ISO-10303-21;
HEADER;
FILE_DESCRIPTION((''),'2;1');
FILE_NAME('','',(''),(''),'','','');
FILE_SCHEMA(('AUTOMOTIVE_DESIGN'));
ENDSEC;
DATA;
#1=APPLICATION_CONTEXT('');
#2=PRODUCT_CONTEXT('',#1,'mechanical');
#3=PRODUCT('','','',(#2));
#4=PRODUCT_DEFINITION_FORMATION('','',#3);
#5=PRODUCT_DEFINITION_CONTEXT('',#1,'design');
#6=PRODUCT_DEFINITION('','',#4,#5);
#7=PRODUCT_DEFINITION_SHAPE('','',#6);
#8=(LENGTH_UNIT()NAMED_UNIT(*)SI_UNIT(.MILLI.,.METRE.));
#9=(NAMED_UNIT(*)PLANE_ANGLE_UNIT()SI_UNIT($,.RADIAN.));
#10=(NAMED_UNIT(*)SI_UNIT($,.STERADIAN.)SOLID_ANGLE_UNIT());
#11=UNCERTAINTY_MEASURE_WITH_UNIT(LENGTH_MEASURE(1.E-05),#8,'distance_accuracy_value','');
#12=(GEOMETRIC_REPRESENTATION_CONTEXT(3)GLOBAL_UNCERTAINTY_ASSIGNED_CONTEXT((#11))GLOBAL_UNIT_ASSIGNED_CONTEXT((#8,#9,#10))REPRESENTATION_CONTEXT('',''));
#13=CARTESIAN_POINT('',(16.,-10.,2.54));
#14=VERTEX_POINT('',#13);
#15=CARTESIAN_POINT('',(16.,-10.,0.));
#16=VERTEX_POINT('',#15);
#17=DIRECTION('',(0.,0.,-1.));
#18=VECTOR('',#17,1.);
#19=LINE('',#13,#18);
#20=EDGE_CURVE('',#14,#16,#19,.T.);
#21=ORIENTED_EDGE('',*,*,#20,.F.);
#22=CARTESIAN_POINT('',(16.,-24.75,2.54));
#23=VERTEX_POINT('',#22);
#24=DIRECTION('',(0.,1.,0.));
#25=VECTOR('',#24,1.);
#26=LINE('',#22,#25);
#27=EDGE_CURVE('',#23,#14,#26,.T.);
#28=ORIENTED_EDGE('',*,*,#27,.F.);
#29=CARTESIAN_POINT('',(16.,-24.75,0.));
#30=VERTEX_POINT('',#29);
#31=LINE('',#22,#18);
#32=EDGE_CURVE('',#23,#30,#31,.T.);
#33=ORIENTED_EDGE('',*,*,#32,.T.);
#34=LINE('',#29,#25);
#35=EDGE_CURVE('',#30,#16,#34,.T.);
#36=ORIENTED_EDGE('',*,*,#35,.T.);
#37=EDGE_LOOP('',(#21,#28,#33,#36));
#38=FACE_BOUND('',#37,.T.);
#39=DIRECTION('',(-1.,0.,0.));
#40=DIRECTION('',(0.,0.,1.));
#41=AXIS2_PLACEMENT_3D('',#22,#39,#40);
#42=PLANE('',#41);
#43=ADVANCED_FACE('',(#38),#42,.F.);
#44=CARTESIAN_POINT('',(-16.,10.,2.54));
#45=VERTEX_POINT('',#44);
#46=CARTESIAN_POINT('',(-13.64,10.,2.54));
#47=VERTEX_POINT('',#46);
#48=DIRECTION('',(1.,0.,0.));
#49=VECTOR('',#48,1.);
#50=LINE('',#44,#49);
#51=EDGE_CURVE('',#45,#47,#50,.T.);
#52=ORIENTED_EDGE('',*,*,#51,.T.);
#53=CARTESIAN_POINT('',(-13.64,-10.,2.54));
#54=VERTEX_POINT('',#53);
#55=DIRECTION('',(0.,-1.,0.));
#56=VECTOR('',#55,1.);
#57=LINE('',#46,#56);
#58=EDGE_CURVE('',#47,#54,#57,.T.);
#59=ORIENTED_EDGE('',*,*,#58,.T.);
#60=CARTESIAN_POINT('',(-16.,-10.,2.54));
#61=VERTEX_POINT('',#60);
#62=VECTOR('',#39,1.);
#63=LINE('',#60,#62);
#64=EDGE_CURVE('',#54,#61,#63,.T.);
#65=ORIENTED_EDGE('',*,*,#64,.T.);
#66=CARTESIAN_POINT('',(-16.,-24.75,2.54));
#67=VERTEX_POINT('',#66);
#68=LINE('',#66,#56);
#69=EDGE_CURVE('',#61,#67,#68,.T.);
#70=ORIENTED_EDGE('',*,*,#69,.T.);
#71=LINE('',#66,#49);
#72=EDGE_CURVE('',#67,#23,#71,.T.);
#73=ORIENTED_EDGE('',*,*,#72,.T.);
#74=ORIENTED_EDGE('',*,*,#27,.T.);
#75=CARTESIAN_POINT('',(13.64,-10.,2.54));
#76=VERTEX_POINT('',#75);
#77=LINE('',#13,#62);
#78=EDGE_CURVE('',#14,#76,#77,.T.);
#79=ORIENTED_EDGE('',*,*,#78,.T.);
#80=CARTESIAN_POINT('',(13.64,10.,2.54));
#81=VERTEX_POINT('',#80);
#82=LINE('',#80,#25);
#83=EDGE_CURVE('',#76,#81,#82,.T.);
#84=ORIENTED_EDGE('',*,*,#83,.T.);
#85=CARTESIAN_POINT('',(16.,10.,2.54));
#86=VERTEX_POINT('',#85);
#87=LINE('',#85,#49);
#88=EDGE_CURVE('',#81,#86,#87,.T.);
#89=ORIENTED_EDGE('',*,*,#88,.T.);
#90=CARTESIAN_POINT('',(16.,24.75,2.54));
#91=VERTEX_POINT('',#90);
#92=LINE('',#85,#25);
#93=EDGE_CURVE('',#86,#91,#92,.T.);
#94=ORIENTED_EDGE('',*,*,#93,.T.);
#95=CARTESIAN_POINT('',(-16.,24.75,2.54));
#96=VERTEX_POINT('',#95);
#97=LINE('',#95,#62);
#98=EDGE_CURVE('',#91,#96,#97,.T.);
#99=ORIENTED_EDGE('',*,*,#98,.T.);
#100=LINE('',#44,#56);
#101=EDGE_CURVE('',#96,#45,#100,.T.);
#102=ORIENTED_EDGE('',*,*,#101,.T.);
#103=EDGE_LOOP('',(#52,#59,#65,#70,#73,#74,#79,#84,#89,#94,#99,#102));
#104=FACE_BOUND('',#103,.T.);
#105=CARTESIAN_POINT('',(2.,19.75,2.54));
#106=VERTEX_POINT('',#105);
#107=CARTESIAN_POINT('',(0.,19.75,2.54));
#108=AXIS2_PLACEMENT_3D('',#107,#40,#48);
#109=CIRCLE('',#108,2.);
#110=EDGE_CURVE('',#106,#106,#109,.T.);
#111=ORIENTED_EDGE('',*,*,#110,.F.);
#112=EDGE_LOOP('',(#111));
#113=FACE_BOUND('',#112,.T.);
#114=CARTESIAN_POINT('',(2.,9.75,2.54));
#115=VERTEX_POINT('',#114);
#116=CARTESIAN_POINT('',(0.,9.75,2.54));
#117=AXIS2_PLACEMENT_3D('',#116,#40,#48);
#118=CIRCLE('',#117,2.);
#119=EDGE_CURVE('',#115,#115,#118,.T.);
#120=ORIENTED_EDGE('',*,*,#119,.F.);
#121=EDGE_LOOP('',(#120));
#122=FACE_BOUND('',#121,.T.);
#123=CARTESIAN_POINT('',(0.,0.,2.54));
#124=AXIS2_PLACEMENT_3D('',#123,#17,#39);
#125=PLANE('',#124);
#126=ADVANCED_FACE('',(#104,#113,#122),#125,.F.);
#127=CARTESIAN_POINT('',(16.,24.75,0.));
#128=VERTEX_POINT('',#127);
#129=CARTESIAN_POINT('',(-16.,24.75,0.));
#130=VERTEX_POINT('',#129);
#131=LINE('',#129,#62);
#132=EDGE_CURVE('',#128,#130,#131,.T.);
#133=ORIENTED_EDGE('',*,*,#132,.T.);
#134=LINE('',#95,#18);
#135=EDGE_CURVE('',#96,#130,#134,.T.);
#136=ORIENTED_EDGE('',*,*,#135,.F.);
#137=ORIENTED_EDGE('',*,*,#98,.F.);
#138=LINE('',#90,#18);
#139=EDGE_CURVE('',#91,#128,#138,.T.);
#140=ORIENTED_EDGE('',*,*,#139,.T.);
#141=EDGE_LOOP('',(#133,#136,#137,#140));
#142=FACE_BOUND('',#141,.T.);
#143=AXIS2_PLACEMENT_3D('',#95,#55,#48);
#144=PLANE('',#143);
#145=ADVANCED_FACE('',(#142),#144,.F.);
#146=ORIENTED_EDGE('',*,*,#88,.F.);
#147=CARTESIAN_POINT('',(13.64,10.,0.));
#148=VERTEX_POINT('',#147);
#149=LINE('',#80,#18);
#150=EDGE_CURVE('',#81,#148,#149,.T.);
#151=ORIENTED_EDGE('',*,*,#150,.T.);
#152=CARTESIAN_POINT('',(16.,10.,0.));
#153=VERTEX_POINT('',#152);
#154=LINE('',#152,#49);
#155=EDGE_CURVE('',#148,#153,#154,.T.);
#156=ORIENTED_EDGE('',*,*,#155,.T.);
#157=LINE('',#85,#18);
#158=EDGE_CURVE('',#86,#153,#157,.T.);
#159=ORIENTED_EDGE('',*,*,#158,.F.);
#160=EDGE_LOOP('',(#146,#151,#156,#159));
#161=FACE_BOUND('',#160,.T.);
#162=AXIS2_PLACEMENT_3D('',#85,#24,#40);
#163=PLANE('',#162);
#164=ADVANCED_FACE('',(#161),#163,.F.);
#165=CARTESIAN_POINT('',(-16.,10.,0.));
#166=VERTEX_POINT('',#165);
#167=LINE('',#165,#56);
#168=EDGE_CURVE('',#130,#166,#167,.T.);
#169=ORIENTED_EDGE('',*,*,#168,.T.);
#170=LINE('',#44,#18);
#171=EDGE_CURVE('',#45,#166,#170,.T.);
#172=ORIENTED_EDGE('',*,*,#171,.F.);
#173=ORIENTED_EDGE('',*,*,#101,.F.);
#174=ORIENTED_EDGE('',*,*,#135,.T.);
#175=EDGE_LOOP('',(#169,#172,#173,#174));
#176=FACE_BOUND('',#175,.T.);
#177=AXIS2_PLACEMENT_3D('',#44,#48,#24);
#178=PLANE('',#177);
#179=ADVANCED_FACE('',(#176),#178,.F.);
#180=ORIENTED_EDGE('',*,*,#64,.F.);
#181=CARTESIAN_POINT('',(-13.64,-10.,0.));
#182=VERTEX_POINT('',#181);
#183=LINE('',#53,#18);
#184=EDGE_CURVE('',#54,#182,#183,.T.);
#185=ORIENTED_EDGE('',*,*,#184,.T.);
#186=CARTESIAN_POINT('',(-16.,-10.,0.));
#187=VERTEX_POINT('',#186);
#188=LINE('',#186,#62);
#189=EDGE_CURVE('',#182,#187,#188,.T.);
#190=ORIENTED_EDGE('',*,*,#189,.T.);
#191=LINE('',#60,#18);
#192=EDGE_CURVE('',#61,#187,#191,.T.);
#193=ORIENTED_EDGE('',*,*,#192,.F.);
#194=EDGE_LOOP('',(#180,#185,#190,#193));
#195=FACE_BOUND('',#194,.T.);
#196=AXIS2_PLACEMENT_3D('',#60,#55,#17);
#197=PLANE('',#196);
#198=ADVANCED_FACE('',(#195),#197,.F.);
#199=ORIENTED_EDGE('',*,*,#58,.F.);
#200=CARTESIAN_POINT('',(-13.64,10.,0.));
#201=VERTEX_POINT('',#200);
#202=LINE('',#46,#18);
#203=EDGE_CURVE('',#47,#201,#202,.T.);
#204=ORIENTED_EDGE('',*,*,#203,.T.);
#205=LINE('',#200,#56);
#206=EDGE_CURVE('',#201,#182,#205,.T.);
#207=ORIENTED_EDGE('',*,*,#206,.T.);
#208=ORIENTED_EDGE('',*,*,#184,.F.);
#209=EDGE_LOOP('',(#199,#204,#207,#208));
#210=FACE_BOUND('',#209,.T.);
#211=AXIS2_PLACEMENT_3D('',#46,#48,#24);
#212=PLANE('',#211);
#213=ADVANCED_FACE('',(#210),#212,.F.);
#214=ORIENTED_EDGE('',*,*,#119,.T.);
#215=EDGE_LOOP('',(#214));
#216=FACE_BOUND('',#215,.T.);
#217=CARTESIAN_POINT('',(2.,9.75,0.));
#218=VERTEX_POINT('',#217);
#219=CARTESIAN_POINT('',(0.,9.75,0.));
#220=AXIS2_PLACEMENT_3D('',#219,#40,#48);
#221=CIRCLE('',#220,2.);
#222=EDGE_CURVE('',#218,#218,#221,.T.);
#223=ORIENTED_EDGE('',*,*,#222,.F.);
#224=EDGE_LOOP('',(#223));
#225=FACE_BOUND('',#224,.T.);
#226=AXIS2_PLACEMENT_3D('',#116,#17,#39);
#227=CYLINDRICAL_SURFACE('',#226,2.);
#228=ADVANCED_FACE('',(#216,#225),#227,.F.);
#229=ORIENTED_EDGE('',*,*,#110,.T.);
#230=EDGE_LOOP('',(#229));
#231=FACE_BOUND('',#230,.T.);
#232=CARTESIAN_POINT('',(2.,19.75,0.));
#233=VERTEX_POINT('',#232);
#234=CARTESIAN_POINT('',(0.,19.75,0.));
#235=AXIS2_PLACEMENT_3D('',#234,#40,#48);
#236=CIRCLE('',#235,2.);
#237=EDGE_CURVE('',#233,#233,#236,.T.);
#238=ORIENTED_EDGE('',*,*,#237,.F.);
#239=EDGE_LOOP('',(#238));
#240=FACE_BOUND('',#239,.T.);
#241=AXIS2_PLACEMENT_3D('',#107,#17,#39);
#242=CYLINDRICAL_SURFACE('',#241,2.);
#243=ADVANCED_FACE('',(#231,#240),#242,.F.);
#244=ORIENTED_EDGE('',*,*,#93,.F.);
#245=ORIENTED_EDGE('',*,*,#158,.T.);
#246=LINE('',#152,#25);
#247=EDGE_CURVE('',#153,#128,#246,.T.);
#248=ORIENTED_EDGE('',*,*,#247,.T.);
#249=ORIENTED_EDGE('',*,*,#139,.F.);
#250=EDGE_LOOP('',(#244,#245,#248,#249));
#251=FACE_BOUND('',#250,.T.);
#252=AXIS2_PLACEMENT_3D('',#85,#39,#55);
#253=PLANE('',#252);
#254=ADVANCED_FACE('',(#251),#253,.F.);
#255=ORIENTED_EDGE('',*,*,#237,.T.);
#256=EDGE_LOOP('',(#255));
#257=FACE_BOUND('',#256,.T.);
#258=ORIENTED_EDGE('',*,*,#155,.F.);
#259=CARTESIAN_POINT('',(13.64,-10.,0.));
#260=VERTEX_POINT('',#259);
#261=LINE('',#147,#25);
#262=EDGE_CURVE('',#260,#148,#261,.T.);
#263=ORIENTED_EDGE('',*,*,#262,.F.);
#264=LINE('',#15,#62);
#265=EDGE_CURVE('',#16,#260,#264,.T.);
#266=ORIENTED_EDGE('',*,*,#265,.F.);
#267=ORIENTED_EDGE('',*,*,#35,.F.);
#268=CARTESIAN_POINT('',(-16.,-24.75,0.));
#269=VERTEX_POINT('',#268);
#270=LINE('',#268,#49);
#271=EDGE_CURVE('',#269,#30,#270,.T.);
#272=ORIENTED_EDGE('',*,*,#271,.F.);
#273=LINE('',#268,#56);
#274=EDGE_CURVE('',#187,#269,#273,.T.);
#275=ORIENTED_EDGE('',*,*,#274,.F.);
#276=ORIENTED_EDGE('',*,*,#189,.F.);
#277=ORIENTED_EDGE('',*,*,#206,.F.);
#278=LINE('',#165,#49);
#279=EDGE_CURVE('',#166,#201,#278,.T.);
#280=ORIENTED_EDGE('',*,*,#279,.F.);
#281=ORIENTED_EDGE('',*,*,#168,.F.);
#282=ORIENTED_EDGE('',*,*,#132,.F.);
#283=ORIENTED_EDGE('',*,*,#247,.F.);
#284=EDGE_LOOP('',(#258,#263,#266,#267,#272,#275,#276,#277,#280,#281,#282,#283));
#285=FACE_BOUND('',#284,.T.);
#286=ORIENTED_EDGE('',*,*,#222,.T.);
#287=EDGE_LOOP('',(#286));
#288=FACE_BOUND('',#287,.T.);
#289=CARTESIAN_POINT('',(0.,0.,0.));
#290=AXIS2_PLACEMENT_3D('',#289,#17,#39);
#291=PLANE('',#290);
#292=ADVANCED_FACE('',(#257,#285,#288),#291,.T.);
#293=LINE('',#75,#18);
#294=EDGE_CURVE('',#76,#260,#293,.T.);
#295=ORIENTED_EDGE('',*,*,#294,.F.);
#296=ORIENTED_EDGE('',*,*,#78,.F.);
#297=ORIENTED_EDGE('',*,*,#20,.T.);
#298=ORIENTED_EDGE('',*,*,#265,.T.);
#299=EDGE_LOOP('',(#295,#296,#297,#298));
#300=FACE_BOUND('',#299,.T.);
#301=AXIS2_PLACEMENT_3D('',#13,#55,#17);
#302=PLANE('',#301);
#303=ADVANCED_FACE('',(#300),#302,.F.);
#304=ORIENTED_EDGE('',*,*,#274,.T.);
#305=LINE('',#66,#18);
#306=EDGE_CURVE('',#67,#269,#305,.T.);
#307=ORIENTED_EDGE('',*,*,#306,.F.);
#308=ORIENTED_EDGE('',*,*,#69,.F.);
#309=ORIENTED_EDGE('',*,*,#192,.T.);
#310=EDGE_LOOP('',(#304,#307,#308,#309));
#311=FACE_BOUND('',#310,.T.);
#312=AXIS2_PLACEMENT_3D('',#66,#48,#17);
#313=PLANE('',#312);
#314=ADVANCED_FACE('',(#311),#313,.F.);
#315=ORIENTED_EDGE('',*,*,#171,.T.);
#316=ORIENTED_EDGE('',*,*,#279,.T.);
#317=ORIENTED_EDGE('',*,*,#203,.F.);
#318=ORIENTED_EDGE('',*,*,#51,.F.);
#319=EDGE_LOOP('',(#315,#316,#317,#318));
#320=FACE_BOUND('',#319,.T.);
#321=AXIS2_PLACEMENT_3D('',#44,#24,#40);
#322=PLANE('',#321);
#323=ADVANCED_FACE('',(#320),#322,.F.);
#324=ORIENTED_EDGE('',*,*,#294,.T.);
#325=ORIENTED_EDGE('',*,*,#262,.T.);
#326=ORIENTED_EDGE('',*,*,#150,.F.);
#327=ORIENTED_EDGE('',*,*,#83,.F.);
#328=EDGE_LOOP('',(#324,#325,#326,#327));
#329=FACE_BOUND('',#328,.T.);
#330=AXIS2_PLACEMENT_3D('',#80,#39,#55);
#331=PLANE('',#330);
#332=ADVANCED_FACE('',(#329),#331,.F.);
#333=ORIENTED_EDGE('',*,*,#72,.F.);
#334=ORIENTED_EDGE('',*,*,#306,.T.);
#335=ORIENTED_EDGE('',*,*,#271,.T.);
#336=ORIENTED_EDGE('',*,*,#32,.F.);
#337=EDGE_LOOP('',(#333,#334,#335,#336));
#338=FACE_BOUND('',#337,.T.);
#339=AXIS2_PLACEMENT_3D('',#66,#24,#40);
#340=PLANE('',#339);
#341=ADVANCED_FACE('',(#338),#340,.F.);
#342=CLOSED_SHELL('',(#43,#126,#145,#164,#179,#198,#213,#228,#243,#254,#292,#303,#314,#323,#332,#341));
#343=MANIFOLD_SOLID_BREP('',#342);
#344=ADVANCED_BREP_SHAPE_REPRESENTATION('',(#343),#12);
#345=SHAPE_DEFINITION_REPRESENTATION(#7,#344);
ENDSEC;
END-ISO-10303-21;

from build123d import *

# Parameters (mm, degrees)
SKETCH1_R           = 2
BOSS_EXTRUDE1_DEPTH = 2.54


with BuildPart() as part:
    # Sketch1 → Boss-Extrude1 (new body)
    with BuildSketch(Plane.XY):
        Polygon((-16, -24.75), (16, -24.75), (16, -10), (13.64, -10), (13.64, 10), (16, 10), (16, 24.75), (-16, 24.75), (-16, 10), (-13.64, 10), (-13.64, -10), (-16, -10), align=None)
        with Locations((0, 9.75)):
            Circle(SKETCH1_R, mode=Mode.SUBTRACT)
        with Locations((0, 19.75)):
            Circle(SKETCH1_R, mode=Mode.SUBTRACT)
    extrude(amount=BOSS_EXTRUDE1_DEPTH)


solid = part.part
